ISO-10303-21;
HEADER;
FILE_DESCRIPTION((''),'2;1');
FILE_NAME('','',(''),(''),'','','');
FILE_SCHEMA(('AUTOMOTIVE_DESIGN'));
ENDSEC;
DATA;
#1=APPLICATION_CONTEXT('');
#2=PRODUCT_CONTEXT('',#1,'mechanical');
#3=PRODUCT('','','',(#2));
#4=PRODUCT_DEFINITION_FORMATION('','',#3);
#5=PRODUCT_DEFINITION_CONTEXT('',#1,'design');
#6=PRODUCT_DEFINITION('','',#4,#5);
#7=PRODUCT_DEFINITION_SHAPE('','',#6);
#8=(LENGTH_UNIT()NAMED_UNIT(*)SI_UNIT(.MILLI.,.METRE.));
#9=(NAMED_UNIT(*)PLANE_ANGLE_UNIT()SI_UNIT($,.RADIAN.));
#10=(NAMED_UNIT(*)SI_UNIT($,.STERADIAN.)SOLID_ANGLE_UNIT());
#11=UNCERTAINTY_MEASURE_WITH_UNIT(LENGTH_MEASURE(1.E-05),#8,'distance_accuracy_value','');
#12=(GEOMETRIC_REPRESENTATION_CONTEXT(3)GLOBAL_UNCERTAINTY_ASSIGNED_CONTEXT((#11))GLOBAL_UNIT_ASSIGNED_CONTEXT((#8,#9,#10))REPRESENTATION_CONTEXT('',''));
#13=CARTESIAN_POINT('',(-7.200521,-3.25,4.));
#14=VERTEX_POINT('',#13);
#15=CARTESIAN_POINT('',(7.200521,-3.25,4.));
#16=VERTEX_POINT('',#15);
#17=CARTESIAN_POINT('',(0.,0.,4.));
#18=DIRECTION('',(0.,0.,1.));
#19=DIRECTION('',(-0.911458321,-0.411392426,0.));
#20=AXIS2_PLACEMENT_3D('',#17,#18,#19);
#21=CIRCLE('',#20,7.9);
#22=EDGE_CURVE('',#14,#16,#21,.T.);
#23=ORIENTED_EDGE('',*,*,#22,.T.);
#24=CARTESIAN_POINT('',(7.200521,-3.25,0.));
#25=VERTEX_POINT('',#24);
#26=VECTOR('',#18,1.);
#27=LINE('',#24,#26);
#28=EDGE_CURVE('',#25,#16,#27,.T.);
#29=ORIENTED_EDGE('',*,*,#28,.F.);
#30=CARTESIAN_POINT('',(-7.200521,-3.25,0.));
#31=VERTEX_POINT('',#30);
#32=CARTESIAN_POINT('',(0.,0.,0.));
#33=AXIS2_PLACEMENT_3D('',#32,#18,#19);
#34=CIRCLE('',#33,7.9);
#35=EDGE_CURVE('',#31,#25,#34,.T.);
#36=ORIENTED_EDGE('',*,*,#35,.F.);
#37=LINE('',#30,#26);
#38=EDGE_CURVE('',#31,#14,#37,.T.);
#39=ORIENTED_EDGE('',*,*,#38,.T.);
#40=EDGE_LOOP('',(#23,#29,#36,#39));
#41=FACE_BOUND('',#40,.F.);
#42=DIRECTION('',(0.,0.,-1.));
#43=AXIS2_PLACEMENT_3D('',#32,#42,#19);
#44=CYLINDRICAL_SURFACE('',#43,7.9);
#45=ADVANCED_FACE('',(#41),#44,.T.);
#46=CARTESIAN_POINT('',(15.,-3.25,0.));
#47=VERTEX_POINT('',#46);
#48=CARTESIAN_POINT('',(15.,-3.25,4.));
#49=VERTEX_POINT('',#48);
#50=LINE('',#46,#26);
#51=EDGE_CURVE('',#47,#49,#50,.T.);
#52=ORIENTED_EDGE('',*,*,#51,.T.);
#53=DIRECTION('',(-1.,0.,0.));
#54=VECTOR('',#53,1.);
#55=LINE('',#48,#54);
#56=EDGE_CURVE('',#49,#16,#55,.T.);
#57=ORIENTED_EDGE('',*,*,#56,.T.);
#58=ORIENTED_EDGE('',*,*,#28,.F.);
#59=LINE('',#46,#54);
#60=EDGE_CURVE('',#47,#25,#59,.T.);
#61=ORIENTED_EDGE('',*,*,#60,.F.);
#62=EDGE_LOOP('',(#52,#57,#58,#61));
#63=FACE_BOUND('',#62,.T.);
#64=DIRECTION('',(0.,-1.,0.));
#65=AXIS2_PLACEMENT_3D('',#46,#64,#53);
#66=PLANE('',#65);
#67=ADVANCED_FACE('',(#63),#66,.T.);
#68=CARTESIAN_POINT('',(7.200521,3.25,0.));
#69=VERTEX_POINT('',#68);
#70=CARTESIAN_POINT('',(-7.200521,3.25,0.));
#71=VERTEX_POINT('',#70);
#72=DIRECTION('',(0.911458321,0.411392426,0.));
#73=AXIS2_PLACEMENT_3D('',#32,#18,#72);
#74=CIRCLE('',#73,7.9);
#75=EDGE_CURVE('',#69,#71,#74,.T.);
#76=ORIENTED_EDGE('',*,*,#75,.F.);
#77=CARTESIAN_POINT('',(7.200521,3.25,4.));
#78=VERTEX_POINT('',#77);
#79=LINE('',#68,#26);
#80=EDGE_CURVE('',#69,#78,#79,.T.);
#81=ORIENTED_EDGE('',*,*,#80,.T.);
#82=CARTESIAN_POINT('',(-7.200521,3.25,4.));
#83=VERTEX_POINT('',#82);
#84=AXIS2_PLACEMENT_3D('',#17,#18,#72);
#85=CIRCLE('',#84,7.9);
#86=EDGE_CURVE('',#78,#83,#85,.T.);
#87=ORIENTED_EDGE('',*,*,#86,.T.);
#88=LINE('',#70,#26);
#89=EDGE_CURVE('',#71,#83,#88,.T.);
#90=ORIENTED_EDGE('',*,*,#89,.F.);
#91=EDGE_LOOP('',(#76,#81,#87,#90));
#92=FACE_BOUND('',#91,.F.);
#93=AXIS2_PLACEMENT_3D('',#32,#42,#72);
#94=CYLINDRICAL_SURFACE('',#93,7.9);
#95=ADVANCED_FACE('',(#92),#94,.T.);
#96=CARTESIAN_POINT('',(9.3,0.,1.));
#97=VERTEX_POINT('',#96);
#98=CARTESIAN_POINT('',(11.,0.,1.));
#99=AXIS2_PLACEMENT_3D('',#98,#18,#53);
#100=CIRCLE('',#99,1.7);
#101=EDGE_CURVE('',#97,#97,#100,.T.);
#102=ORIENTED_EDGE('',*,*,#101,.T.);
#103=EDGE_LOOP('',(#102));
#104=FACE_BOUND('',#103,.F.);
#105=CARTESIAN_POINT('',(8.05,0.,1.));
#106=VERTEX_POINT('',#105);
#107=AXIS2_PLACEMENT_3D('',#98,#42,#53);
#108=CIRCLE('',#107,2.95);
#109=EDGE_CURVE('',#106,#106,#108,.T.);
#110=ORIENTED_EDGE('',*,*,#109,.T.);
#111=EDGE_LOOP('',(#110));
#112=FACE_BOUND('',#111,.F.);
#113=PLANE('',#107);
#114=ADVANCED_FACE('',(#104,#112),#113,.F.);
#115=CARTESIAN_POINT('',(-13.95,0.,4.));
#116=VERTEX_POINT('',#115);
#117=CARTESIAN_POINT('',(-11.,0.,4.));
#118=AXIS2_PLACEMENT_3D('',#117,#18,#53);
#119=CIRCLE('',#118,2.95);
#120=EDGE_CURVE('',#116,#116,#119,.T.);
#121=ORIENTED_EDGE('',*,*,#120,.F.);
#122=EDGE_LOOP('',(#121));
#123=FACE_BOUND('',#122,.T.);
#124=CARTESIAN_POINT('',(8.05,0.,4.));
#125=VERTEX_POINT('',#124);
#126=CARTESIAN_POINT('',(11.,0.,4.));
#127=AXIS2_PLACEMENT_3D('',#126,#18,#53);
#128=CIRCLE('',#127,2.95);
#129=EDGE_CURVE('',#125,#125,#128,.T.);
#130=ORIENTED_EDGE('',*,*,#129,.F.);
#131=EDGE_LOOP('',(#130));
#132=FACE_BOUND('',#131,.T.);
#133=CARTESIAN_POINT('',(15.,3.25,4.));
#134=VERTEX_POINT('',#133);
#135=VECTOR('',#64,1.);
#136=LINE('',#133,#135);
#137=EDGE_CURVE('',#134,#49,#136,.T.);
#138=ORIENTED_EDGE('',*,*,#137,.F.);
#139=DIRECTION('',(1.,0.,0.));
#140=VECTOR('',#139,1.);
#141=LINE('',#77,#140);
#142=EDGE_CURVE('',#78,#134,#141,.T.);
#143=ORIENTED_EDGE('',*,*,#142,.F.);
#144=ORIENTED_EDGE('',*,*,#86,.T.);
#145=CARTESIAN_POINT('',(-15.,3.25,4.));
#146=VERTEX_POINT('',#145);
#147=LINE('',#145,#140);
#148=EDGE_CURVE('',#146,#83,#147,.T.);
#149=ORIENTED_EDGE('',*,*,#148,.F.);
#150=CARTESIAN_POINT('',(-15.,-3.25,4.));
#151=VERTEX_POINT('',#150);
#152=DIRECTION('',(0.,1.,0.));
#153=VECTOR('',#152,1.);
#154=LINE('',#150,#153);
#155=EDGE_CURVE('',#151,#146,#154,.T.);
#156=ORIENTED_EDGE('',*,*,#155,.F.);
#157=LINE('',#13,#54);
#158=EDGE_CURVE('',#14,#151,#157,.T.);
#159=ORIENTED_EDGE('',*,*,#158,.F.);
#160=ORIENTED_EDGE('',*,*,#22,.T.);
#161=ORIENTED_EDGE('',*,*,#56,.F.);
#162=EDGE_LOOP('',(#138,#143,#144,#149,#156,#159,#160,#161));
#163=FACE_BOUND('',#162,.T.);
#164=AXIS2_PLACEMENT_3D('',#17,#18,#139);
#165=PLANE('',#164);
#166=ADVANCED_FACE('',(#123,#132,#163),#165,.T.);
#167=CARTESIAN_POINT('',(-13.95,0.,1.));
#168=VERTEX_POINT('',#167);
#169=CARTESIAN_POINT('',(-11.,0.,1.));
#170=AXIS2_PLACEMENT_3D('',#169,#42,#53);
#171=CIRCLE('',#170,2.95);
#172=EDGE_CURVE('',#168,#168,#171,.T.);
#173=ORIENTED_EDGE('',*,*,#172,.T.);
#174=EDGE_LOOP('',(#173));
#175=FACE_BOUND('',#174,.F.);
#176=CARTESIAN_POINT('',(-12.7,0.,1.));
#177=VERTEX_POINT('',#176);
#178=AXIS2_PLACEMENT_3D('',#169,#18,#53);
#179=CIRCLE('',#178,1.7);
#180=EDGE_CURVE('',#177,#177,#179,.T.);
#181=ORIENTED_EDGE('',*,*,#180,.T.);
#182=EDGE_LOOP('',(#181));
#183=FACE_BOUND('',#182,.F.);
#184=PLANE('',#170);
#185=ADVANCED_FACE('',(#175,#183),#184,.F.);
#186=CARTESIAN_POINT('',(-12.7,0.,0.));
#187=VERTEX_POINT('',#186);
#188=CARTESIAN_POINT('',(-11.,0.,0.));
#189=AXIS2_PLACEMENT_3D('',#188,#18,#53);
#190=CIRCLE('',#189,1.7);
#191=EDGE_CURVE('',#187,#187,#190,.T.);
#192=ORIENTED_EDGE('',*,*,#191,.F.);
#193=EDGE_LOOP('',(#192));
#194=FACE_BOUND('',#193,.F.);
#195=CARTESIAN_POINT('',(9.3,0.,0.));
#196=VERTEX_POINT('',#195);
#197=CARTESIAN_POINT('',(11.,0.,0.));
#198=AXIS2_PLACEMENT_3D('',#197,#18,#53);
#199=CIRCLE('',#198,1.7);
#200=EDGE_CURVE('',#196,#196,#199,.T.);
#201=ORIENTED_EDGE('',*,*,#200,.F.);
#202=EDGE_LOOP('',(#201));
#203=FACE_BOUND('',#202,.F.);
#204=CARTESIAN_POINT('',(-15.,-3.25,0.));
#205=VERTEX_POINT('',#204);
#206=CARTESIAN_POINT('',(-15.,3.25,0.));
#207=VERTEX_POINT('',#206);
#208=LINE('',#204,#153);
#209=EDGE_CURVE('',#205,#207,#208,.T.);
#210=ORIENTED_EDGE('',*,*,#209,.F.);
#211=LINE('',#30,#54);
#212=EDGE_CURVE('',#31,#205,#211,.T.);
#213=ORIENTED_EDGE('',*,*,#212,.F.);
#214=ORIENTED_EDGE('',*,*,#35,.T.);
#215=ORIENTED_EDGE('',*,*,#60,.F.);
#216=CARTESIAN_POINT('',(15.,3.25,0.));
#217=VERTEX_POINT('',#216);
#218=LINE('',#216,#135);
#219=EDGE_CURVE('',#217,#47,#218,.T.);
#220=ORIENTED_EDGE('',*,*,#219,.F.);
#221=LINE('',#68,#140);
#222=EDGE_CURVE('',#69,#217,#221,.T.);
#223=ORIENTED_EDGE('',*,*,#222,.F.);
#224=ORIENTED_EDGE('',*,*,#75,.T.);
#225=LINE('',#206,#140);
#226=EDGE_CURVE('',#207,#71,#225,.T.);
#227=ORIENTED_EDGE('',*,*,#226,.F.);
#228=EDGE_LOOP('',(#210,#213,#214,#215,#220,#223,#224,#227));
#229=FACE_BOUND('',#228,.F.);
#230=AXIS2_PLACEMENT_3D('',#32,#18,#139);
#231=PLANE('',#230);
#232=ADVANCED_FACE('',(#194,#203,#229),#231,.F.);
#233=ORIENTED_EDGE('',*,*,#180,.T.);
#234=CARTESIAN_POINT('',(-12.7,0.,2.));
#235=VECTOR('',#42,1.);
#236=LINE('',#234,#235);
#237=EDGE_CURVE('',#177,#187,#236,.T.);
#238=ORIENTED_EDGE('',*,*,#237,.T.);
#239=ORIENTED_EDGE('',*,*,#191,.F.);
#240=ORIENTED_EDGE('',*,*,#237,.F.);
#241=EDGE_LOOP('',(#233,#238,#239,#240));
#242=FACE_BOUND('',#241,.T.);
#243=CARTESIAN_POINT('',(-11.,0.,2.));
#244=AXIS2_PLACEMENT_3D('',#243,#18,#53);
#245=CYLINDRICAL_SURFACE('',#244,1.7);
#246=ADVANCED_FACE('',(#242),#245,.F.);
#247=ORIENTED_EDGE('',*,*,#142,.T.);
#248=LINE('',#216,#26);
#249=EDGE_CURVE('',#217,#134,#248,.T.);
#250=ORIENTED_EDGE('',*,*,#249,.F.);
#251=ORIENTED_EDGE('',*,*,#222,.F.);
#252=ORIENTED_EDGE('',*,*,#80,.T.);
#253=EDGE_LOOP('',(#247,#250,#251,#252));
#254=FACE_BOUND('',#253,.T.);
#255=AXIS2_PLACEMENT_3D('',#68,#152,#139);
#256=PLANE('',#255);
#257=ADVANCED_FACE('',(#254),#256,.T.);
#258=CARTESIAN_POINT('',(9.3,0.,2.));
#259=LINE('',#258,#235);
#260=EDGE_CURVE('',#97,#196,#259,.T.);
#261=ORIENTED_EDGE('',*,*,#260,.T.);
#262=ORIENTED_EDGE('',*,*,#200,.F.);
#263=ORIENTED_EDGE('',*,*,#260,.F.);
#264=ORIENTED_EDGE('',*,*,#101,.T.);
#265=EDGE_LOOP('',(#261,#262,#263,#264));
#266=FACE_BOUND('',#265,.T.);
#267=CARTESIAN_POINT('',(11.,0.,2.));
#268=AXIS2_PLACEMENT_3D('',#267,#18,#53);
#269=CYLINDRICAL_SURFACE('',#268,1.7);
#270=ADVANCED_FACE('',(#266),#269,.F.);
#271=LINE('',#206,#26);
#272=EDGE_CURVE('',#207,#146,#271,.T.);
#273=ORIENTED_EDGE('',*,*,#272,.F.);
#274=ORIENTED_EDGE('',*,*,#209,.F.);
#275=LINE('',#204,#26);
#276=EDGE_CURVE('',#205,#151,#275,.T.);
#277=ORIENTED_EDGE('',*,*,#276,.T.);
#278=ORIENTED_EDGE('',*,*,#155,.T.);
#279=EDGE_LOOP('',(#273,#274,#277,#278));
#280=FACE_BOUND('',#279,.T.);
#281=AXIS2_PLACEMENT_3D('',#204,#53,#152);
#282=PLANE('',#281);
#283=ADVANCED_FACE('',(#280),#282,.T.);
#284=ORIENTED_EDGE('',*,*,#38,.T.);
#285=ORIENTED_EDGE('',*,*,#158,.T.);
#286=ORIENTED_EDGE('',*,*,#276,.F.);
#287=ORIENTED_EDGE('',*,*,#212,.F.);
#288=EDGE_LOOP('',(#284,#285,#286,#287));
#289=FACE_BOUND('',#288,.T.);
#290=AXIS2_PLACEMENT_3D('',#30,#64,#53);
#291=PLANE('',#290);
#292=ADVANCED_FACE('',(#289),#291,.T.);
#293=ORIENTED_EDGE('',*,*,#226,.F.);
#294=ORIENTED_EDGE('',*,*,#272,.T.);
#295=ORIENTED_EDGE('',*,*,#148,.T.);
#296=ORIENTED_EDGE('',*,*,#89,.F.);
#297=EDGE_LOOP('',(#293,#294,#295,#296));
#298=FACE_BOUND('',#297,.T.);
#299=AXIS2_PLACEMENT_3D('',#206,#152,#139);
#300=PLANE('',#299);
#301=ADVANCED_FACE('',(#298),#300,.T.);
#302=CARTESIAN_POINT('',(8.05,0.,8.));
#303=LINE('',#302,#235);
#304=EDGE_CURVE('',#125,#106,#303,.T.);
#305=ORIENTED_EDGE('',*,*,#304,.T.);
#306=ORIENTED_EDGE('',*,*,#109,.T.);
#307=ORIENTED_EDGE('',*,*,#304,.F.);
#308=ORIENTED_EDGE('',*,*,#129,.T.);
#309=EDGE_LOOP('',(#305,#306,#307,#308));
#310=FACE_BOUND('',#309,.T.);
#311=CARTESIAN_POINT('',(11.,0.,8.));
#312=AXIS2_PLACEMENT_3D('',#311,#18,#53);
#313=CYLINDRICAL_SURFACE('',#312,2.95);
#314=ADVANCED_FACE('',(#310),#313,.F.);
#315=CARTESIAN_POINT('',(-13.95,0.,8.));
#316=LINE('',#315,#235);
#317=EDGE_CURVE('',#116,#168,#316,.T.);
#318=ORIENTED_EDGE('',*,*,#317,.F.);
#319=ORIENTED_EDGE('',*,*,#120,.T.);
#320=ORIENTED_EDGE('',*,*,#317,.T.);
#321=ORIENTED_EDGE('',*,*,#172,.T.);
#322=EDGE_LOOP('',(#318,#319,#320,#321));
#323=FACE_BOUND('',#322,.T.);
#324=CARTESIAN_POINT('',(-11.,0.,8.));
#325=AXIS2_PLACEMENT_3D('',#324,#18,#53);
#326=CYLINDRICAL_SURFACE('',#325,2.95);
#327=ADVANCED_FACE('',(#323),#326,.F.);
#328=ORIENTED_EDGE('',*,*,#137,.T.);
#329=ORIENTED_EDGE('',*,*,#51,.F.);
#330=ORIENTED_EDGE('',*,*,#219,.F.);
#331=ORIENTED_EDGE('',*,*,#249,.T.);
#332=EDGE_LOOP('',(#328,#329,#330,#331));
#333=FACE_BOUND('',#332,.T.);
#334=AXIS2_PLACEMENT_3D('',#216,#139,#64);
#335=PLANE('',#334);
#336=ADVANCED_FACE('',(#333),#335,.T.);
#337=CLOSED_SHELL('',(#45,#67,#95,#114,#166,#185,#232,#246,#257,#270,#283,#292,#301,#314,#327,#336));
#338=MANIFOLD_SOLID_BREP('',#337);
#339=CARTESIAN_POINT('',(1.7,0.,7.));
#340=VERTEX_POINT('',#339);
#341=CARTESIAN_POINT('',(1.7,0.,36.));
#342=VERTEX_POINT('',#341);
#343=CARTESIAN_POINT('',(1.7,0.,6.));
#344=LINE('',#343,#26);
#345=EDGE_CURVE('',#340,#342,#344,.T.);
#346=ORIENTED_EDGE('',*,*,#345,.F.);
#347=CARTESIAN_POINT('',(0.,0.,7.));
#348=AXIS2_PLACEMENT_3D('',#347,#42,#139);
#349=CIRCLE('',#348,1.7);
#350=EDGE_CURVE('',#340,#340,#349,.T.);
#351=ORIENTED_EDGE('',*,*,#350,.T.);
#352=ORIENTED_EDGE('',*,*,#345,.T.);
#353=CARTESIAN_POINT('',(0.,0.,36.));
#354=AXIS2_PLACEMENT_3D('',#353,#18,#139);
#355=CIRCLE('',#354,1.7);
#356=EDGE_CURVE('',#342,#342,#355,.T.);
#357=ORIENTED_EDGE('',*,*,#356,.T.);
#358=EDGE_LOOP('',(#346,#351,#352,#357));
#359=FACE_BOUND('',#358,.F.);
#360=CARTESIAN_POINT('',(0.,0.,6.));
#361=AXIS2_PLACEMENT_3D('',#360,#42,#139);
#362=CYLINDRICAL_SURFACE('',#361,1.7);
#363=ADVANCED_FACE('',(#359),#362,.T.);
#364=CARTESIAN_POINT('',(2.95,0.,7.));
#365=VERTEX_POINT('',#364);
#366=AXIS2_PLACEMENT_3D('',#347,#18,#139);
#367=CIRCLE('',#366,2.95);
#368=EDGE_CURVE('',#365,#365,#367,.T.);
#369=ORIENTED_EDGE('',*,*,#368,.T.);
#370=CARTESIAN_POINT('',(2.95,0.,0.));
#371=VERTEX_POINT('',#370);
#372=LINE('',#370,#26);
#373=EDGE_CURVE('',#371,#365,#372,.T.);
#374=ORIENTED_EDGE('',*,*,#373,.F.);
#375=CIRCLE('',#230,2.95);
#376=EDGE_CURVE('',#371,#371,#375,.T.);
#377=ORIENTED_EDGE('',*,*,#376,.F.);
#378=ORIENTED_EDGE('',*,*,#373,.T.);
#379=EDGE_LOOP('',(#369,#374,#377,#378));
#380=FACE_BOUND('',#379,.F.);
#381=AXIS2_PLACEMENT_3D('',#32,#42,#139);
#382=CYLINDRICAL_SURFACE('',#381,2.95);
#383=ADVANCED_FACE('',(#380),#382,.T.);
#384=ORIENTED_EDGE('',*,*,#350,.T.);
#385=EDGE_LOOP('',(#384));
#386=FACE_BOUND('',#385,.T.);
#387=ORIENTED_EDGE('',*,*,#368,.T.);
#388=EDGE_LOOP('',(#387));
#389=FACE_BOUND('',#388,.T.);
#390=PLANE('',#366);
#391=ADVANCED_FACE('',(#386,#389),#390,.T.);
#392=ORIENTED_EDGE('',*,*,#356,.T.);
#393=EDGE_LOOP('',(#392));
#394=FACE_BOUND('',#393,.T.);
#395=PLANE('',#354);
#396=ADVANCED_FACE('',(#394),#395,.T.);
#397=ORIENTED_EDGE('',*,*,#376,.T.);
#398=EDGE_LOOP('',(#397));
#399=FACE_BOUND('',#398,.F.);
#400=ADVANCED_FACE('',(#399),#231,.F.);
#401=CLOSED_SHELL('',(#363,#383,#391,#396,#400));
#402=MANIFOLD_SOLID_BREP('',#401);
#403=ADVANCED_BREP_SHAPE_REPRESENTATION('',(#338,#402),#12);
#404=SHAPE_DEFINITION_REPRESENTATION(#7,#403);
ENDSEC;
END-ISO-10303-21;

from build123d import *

# Parameters (mm, degrees)
CYLINDER_R               = 2.95
CYLINDER_DEPTH           = 7
CYLINDER001_R            = 1.7
CYLINDER001_DEPTH        = 30
CLONE060_PLACEMENT_ANGLE = 180
CLONE059_PLACEMENT_ANGLE = 180
PAD010_DEPTH             = 4


with BuildPart() as m3bolthead:
    # Cylinder → Cylinder (new body)
    with BuildSketch(Plane.XY):
        Circle(CYLINDER_R)
    extrude(amount=CYLINDER_DEPTH)


with BuildPart() as m3bolt:
    # Cylinder001 → Cylinder001 (new body)
    with BuildSketch(Plane.XY.offset(6)):
        Circle(CYLINDER001_R)
    extrude(amount=CYLINDER001_DEPTH)

    # Fusion: union M3BoltHead
    add(m3bolthead.part)


with BuildPart() as clone_of_m3bolt020:
    # Clone060 base: copy of M3Bolt
    add(m3bolt.part)


with BuildPart() as clone_of_m3bolt020_1:
    # Clone060 placement: moved
    add(clone_of_m3bolt020.part.moved(Location((-11, 0, 8))).rotate(Axis((-11, 0, 8), (0, 1, 0)), CLONE060_PLACEMENT_ANGLE))


with BuildPart() as fusion020:
    # Clone059 base: copy of M3Bolt
    add(m3bolt.part)


with BuildPart() as fusion020_1:
    # Clone059 placement: moved
    add(fusion020.part.moved(Location((11, 0, 8))).rotate(Axis((11, 0, 8), (0, 1, 0)), CLONE059_PLACEMENT_ANGLE))

    # Fusion020: union Clone of M3Bolt020
    add(clone_of_m3bolt020_1.part)


with BuildPart() as f_622zzbearingfix:
    # Sketch017 → Pad010 (new body)
    with BuildSketch(Plane.XY):
        with BuildLine():
            ThreePointArc((-7.200521, -3.25), (0, -7.9), (7.200521, -3.25))
            Line((15, -3.25), (7.200521, -3.25))
            Line((15, 3.25), (15, -3.25))
            Line((7.200521, 3.25), (15, 3.25))
            ThreePointArc((7.200521, 3.25), (0, 7.9), (-7.200521, 3.25))
            Line((-15, 3.25), (-7.200521, 3.25))
            Line((-15, -3.25), (-15, 3.25))
            Line((-7.200521, -3.25), (-15, -3.25))
        make_face()
    extrude(amount=PAD010_DEPTH)

    # Cut021: cut Fusion020
    add(fusion020_1.part, mode=Mode.SUBTRACT)


solid = Compound([m3bolt.part, f_622zzbearingfix.part])
